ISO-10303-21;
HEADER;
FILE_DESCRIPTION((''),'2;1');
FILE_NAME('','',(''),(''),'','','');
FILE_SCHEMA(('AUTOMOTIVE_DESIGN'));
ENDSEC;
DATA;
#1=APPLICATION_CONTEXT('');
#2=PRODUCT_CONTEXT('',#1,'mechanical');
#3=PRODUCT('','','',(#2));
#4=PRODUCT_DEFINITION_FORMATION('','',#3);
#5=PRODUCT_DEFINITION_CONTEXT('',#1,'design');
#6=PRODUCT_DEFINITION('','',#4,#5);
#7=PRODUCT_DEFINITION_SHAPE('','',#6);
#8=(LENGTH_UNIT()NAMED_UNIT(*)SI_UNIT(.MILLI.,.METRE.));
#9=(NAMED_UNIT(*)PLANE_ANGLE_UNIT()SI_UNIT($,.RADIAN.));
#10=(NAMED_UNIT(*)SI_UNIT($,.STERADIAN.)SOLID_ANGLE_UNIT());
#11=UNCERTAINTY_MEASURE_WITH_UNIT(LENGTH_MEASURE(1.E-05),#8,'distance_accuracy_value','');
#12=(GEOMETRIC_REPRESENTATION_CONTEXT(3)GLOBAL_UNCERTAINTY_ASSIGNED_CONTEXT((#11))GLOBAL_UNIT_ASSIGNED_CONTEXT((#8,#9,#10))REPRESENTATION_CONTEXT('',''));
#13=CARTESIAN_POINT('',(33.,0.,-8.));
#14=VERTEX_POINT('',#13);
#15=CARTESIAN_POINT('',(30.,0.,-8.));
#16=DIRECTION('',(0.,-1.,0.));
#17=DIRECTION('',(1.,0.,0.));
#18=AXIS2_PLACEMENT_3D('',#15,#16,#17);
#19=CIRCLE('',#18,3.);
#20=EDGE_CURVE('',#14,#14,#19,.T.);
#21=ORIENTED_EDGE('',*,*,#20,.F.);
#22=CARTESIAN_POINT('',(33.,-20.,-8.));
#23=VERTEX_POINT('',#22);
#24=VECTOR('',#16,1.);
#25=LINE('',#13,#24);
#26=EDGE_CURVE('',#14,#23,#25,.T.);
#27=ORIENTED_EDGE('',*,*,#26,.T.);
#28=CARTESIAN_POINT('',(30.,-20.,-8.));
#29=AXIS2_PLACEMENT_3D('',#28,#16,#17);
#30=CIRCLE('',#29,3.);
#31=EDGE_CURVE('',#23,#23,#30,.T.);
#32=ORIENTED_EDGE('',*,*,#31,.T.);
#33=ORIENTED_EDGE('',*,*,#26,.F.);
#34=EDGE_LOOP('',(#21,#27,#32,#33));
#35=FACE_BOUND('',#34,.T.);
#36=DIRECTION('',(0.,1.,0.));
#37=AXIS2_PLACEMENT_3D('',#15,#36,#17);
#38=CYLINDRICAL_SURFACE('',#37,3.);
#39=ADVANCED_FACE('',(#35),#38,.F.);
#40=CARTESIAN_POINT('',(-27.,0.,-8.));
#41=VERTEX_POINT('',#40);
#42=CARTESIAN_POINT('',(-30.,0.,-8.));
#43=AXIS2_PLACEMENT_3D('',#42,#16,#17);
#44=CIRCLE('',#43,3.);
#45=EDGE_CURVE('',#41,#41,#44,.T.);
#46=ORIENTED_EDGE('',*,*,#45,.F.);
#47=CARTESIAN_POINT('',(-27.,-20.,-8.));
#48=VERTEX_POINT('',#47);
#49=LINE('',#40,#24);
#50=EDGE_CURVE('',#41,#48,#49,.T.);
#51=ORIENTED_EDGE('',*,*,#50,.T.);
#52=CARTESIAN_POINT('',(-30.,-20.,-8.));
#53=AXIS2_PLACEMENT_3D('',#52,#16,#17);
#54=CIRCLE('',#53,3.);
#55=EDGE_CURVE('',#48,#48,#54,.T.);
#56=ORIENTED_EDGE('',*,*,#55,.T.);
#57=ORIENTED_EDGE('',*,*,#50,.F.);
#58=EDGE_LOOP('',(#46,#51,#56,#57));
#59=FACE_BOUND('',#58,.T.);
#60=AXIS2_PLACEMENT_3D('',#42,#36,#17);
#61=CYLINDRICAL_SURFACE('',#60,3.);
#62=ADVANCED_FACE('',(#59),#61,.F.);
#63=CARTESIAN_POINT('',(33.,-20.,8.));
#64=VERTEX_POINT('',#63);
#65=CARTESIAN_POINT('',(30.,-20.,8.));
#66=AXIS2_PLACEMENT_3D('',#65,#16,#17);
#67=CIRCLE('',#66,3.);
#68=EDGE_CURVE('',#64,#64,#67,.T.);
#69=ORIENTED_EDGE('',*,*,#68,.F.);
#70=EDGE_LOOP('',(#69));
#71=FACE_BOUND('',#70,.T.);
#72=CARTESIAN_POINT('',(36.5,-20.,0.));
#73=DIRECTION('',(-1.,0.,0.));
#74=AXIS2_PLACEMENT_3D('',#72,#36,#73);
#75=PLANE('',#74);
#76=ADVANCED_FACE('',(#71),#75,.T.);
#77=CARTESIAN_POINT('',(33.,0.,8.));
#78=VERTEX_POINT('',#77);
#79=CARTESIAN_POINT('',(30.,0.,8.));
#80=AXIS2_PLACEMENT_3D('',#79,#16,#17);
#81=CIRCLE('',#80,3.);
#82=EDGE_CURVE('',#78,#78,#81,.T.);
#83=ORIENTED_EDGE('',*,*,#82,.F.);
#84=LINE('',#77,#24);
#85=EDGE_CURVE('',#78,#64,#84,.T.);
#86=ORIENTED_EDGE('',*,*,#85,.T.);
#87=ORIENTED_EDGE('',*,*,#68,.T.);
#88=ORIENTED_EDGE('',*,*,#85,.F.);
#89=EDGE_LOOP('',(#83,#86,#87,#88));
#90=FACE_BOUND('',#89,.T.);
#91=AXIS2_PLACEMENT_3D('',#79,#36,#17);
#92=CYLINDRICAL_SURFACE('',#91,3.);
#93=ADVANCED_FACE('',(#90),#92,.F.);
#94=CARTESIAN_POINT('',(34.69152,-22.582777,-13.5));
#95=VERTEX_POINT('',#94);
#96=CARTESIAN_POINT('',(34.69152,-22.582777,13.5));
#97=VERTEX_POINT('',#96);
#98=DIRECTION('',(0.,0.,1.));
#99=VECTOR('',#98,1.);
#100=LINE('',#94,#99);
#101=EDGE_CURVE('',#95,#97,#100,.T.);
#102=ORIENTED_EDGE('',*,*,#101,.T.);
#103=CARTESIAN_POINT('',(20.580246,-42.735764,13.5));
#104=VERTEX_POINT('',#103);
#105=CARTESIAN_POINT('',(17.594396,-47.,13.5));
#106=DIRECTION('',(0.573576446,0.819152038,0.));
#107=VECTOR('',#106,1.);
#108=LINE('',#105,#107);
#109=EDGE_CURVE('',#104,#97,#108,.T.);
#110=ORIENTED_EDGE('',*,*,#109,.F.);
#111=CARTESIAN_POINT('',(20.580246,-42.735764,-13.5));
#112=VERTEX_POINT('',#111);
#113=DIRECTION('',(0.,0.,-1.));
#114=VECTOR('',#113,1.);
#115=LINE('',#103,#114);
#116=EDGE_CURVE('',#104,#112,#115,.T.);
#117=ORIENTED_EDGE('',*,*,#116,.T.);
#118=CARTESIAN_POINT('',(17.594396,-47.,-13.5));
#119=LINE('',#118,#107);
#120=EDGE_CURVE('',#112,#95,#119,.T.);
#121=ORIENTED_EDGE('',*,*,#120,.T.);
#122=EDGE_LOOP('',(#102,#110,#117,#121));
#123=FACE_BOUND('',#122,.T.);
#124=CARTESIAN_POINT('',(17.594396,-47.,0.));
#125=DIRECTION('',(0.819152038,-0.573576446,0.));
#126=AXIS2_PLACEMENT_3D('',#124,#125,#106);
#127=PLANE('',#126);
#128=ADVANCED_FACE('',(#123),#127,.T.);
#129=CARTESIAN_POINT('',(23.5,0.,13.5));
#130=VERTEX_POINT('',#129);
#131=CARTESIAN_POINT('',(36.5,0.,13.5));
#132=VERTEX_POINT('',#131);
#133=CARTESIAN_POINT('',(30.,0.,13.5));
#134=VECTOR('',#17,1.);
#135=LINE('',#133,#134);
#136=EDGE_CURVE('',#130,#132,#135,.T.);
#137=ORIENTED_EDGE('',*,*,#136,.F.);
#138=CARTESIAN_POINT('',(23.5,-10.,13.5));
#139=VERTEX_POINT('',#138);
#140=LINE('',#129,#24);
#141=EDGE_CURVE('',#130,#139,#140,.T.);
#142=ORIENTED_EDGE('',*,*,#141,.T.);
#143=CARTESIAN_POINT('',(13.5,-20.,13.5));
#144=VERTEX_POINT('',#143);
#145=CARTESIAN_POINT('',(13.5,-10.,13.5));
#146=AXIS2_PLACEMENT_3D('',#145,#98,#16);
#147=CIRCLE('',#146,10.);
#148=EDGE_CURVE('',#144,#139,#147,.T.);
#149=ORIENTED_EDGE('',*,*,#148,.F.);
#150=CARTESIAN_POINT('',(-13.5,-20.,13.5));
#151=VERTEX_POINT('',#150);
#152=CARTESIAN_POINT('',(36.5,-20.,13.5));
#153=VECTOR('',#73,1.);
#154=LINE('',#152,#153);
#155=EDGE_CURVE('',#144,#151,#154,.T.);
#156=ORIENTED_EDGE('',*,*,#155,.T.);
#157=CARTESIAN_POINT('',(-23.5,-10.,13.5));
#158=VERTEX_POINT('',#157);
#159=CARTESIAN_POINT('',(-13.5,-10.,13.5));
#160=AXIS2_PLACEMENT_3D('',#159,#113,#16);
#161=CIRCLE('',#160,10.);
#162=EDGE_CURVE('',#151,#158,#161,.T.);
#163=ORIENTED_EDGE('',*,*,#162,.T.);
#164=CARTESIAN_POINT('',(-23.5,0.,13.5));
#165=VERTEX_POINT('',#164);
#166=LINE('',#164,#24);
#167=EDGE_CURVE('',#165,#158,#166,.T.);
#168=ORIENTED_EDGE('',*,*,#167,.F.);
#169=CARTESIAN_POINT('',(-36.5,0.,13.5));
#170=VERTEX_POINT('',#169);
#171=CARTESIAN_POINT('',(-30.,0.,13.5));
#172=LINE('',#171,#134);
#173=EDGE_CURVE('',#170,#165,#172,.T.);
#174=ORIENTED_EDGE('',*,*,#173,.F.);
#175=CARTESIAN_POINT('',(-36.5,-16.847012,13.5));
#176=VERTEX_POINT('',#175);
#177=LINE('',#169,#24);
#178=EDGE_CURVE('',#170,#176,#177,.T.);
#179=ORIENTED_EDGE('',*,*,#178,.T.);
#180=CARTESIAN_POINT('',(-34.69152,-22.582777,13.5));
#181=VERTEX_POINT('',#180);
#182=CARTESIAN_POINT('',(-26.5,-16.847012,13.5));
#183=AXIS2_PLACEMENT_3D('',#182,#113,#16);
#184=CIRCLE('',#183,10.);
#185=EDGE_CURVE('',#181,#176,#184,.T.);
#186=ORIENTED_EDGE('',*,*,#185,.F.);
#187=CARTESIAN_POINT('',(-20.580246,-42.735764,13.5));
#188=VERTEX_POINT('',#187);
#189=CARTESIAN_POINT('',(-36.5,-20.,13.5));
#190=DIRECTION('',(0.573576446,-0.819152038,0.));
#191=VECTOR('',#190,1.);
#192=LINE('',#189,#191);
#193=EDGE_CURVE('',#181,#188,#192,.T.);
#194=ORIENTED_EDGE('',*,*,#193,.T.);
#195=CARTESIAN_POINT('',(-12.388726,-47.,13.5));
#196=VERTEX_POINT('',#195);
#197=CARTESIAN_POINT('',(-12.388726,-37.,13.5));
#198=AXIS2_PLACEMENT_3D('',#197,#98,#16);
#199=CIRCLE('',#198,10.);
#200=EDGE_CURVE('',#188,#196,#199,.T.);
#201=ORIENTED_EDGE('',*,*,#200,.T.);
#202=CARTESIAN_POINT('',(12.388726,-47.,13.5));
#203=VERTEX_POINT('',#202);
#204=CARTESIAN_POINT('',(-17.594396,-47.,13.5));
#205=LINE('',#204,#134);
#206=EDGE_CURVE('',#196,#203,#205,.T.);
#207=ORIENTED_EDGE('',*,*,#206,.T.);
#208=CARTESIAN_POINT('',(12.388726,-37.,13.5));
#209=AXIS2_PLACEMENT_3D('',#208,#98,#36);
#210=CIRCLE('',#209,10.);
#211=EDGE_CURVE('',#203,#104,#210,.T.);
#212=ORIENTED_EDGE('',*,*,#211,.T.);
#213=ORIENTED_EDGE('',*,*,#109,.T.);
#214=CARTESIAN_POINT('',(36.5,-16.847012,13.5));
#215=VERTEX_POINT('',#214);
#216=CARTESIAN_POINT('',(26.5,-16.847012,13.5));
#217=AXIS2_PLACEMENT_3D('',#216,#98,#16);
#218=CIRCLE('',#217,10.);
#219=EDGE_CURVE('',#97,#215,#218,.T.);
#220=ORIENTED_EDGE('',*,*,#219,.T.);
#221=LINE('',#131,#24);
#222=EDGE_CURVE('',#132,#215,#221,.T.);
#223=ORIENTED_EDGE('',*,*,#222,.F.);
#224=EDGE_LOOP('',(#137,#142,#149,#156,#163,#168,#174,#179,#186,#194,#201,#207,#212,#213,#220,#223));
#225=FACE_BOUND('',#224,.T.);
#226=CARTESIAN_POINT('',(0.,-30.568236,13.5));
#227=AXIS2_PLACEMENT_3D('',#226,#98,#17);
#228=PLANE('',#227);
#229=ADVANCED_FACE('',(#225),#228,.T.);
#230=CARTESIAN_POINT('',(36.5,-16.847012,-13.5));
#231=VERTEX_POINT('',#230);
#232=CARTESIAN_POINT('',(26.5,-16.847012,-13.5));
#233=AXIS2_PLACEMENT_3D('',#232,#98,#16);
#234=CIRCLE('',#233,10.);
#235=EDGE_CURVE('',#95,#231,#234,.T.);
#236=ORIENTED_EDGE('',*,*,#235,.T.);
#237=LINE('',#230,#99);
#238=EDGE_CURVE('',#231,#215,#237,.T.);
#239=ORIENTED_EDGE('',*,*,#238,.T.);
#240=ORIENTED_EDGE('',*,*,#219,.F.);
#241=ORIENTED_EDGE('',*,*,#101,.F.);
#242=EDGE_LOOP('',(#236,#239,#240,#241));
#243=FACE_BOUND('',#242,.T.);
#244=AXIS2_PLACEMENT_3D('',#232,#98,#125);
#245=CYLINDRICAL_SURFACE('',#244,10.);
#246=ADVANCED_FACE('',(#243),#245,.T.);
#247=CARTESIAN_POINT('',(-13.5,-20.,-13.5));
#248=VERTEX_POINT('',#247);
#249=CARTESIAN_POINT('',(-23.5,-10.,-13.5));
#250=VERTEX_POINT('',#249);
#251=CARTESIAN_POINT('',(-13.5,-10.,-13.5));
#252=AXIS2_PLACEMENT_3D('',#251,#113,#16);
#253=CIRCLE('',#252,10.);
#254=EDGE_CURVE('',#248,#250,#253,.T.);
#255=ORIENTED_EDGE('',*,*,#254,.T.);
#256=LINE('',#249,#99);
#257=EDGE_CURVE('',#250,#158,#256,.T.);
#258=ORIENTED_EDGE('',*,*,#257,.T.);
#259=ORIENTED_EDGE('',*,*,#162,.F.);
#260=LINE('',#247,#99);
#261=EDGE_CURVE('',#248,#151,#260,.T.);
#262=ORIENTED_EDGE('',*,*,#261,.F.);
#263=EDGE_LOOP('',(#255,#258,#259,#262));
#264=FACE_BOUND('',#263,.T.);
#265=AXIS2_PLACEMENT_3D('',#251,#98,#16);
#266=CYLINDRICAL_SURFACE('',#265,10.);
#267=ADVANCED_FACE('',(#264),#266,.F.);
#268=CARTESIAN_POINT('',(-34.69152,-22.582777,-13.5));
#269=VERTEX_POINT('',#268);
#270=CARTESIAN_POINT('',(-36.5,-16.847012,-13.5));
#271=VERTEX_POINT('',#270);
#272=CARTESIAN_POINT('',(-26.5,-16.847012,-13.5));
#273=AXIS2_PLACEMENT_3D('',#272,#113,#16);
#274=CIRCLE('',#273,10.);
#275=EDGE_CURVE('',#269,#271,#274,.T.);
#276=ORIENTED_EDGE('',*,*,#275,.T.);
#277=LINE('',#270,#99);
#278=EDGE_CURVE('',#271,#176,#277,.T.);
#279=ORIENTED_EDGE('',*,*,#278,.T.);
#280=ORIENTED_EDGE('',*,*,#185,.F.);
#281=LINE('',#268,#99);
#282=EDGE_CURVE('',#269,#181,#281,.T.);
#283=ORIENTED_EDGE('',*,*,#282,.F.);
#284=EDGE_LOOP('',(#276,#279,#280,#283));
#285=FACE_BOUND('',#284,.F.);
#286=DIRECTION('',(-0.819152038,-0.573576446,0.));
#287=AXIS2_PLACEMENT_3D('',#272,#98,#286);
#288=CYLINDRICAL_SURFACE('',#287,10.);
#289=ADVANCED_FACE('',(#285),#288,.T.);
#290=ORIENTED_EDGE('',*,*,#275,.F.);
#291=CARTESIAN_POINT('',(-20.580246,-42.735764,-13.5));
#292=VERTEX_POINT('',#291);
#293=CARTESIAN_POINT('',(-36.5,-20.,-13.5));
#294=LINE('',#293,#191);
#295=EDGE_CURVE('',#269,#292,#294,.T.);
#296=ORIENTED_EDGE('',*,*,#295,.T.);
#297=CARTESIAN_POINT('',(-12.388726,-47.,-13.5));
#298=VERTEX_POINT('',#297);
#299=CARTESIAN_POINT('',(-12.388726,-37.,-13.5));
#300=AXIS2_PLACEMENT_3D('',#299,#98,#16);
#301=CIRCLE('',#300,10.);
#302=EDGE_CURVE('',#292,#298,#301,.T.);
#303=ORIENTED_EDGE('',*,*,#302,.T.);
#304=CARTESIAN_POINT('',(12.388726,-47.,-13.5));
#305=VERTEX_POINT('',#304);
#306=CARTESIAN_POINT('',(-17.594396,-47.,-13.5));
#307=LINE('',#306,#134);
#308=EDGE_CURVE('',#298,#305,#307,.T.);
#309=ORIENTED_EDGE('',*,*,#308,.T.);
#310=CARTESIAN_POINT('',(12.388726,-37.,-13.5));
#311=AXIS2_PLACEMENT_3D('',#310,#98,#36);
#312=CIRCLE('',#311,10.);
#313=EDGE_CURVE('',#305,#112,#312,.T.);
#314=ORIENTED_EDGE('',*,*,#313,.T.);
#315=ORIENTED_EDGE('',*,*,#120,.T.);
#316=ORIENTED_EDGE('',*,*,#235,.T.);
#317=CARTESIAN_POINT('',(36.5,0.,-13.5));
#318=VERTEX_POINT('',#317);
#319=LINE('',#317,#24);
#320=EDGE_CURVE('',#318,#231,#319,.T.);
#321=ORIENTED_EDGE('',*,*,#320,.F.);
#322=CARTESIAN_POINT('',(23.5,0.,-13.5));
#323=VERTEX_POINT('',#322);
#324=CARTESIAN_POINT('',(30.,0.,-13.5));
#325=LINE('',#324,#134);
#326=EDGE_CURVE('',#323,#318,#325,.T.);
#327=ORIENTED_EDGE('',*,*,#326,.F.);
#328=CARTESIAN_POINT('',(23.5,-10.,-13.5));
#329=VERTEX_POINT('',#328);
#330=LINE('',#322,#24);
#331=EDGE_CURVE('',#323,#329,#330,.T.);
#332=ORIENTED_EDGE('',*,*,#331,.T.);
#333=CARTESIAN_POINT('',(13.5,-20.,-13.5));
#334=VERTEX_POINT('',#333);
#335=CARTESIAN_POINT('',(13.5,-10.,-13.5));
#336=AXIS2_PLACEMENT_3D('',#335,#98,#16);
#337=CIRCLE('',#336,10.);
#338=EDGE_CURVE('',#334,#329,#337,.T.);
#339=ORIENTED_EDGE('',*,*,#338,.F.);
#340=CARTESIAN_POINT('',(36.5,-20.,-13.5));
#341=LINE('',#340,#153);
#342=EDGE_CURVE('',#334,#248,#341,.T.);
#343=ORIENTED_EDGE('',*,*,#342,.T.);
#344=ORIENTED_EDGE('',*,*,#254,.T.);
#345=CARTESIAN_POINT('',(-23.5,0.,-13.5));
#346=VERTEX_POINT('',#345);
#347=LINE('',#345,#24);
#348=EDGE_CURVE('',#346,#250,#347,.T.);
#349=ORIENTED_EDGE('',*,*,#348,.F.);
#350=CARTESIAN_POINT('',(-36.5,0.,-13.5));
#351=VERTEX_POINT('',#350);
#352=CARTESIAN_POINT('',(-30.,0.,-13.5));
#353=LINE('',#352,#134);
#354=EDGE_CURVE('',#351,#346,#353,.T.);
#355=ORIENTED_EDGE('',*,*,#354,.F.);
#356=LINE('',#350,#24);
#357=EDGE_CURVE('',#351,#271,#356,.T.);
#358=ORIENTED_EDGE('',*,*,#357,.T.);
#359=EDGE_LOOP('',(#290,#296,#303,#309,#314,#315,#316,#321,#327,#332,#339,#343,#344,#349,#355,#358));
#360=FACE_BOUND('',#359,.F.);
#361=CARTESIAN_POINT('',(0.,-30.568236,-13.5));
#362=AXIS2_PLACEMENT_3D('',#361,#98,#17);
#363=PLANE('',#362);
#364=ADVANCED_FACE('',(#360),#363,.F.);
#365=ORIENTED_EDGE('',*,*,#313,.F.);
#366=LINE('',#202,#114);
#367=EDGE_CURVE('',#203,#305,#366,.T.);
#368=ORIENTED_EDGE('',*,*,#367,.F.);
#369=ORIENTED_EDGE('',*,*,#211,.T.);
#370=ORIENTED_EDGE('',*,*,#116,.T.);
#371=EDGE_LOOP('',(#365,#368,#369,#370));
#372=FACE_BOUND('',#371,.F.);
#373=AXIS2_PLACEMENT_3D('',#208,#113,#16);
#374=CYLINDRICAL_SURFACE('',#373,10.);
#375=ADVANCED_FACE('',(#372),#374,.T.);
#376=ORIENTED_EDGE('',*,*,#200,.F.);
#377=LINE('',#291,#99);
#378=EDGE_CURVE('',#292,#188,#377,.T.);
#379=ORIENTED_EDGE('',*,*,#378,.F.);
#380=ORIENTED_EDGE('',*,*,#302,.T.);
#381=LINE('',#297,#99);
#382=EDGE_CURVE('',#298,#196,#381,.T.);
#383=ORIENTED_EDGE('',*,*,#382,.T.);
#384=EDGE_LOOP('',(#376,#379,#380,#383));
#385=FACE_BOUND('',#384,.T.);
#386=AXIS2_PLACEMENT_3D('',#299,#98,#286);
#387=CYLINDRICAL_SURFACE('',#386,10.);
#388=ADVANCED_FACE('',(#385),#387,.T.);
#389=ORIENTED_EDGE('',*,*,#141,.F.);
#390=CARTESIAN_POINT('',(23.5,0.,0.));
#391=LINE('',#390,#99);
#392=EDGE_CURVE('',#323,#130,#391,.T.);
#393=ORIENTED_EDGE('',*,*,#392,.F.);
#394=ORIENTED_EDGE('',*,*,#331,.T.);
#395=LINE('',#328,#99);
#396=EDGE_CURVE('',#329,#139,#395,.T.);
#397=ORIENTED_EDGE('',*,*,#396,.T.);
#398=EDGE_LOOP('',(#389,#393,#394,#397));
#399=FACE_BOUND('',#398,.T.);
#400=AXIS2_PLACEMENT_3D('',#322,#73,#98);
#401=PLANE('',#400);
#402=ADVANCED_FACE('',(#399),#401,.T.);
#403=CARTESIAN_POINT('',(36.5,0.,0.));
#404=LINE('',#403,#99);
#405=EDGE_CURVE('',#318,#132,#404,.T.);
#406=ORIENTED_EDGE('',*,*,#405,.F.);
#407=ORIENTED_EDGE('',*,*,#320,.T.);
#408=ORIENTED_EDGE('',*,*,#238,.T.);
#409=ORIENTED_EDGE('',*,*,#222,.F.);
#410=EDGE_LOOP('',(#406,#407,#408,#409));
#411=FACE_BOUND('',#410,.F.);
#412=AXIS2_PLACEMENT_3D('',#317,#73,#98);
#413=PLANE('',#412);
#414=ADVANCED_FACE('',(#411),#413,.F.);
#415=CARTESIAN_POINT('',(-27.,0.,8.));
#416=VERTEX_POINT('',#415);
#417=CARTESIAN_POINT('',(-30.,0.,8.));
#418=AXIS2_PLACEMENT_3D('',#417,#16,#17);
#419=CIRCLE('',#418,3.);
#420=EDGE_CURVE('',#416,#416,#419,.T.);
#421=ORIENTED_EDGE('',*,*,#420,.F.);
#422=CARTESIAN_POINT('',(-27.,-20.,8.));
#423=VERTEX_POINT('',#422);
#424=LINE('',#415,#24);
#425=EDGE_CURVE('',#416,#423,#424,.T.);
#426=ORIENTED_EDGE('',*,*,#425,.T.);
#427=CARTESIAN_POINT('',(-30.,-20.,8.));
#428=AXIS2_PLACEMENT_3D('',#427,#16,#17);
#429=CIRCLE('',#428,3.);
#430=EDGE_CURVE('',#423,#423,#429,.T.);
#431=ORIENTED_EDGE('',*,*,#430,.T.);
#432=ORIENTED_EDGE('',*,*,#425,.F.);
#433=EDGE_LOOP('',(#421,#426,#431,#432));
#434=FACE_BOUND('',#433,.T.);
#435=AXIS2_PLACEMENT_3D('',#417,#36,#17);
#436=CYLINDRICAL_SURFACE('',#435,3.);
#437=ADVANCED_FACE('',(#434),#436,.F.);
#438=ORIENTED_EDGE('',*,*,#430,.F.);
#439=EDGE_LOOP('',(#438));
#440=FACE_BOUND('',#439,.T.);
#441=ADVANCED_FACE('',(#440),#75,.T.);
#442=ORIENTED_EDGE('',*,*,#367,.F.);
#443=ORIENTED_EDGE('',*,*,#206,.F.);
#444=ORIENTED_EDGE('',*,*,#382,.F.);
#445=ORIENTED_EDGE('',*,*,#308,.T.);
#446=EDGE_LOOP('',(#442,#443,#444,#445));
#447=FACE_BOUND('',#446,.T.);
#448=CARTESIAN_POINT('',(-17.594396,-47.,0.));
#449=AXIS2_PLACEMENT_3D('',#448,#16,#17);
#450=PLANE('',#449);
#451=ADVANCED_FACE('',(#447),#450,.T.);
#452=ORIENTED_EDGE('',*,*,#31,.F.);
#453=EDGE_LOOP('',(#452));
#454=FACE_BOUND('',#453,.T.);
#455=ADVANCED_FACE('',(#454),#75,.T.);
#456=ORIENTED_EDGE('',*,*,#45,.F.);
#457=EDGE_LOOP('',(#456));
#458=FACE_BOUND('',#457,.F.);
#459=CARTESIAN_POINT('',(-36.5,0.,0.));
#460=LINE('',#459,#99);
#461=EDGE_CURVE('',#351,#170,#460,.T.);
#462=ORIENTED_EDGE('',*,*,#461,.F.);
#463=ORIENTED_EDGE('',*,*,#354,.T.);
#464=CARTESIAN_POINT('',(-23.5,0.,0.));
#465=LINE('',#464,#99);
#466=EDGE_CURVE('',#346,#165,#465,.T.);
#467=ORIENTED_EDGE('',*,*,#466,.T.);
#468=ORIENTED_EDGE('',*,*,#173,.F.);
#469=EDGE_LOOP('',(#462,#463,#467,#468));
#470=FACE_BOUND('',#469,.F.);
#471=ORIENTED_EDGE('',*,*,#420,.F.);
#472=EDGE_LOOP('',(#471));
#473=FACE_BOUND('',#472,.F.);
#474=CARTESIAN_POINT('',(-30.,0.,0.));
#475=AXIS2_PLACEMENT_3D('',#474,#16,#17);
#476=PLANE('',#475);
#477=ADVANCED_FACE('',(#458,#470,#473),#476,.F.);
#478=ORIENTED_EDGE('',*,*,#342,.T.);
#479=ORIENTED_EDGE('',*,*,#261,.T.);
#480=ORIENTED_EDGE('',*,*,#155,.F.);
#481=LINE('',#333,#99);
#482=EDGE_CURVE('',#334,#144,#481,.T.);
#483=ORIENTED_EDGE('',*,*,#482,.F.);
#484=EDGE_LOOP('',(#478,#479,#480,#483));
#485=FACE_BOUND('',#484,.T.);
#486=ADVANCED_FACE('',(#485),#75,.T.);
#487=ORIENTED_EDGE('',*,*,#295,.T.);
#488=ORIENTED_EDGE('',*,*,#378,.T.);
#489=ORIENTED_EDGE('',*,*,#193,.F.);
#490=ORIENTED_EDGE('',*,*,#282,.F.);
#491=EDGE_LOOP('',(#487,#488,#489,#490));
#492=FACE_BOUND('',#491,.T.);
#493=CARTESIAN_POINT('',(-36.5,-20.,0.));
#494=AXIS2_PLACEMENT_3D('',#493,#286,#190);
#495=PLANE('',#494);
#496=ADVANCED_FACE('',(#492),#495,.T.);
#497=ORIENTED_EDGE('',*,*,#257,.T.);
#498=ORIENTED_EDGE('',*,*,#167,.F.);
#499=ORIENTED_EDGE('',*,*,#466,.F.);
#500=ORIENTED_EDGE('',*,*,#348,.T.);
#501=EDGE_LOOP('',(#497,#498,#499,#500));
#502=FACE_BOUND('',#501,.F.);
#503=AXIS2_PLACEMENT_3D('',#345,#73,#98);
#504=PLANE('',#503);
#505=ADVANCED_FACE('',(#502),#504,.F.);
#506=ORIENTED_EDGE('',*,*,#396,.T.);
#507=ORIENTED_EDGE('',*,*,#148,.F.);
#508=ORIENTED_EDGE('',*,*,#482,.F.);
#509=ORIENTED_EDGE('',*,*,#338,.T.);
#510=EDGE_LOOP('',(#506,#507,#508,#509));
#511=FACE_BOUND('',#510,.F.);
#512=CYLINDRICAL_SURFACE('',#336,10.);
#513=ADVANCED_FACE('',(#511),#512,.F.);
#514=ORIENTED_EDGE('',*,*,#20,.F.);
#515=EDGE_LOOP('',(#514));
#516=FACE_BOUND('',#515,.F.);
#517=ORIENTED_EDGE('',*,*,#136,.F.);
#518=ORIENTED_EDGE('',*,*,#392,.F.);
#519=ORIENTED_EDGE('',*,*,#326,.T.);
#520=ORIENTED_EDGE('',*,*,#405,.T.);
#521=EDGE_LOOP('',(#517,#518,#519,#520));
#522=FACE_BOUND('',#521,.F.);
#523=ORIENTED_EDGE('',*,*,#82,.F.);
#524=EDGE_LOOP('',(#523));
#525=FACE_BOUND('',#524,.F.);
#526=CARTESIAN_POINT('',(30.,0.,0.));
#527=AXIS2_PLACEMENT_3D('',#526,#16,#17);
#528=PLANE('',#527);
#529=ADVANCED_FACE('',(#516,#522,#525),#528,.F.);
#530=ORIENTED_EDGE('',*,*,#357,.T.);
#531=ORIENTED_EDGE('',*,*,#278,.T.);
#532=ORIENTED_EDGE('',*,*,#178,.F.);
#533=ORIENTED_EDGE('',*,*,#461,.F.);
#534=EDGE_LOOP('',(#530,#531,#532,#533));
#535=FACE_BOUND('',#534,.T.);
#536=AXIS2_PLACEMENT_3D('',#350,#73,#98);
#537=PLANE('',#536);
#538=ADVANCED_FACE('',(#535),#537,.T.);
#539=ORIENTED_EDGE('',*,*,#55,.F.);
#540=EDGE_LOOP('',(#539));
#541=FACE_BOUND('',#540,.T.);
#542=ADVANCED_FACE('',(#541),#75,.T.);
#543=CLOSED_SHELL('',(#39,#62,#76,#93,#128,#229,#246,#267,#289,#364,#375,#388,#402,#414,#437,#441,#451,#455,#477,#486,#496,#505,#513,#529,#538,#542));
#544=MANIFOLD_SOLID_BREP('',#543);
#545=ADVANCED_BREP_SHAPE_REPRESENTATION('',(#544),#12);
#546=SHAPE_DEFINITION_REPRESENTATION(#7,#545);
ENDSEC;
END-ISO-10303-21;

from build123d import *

# Parameters (mm, degrees)
F0_W     = 13
F0_H     = 27
F0_R     = 3
F1_DEPTH = 20
F3_DEPTH = 13.5
F4_R     = 10


with BuildPart() as f1:
    # F0 (on Front) → F1 (new body)
    with BuildSketch(Plane.XZ):
        with Locations((-30, 0)):
            Rectangle(F0_W, F0_H)
        with Locations((-30, -8)):
            Circle(F0_R, mode=Mode.SUBTRACT)
        with Locations((-30, 8)):
            Circle(F0_R, mode=Mode.SUBTRACT)
        with Locations((30, 0)):
            Rectangle(F0_W, F0_H)
        with Locations((30, -8)):
            Circle(F0_R, mode=Mode.SUBTRACT)
        with Locations((30, 8)):
            Circle(F0_R, mode=Mode.SUBTRACT)
    extrude(amount=F1_DEPTH)

    # F2 (on Top) → F3 (join, symmetric)
    with BuildSketch(Plane.XY):
        Polygon((36.5, -20), (-36.5, -20), (-17.594396, -47), (17.594396, -47), align=None)
    extrude(amount=F3_DEPTH, both=True)

    # F4
    f4_edges = [f1.edges().sort_by_distance(p)[0] for p in [
        (-23.5, -20, 0),
        (23.5, -20, 0),
        (-17.594396, -47, 0),
        (17.594396, -47, 0),
        (-36.5, -20, 0),
        (36.5, -20, 0),
    ]]
    fillet(f4_edges, radius=F4_R)


solid = f1.part
